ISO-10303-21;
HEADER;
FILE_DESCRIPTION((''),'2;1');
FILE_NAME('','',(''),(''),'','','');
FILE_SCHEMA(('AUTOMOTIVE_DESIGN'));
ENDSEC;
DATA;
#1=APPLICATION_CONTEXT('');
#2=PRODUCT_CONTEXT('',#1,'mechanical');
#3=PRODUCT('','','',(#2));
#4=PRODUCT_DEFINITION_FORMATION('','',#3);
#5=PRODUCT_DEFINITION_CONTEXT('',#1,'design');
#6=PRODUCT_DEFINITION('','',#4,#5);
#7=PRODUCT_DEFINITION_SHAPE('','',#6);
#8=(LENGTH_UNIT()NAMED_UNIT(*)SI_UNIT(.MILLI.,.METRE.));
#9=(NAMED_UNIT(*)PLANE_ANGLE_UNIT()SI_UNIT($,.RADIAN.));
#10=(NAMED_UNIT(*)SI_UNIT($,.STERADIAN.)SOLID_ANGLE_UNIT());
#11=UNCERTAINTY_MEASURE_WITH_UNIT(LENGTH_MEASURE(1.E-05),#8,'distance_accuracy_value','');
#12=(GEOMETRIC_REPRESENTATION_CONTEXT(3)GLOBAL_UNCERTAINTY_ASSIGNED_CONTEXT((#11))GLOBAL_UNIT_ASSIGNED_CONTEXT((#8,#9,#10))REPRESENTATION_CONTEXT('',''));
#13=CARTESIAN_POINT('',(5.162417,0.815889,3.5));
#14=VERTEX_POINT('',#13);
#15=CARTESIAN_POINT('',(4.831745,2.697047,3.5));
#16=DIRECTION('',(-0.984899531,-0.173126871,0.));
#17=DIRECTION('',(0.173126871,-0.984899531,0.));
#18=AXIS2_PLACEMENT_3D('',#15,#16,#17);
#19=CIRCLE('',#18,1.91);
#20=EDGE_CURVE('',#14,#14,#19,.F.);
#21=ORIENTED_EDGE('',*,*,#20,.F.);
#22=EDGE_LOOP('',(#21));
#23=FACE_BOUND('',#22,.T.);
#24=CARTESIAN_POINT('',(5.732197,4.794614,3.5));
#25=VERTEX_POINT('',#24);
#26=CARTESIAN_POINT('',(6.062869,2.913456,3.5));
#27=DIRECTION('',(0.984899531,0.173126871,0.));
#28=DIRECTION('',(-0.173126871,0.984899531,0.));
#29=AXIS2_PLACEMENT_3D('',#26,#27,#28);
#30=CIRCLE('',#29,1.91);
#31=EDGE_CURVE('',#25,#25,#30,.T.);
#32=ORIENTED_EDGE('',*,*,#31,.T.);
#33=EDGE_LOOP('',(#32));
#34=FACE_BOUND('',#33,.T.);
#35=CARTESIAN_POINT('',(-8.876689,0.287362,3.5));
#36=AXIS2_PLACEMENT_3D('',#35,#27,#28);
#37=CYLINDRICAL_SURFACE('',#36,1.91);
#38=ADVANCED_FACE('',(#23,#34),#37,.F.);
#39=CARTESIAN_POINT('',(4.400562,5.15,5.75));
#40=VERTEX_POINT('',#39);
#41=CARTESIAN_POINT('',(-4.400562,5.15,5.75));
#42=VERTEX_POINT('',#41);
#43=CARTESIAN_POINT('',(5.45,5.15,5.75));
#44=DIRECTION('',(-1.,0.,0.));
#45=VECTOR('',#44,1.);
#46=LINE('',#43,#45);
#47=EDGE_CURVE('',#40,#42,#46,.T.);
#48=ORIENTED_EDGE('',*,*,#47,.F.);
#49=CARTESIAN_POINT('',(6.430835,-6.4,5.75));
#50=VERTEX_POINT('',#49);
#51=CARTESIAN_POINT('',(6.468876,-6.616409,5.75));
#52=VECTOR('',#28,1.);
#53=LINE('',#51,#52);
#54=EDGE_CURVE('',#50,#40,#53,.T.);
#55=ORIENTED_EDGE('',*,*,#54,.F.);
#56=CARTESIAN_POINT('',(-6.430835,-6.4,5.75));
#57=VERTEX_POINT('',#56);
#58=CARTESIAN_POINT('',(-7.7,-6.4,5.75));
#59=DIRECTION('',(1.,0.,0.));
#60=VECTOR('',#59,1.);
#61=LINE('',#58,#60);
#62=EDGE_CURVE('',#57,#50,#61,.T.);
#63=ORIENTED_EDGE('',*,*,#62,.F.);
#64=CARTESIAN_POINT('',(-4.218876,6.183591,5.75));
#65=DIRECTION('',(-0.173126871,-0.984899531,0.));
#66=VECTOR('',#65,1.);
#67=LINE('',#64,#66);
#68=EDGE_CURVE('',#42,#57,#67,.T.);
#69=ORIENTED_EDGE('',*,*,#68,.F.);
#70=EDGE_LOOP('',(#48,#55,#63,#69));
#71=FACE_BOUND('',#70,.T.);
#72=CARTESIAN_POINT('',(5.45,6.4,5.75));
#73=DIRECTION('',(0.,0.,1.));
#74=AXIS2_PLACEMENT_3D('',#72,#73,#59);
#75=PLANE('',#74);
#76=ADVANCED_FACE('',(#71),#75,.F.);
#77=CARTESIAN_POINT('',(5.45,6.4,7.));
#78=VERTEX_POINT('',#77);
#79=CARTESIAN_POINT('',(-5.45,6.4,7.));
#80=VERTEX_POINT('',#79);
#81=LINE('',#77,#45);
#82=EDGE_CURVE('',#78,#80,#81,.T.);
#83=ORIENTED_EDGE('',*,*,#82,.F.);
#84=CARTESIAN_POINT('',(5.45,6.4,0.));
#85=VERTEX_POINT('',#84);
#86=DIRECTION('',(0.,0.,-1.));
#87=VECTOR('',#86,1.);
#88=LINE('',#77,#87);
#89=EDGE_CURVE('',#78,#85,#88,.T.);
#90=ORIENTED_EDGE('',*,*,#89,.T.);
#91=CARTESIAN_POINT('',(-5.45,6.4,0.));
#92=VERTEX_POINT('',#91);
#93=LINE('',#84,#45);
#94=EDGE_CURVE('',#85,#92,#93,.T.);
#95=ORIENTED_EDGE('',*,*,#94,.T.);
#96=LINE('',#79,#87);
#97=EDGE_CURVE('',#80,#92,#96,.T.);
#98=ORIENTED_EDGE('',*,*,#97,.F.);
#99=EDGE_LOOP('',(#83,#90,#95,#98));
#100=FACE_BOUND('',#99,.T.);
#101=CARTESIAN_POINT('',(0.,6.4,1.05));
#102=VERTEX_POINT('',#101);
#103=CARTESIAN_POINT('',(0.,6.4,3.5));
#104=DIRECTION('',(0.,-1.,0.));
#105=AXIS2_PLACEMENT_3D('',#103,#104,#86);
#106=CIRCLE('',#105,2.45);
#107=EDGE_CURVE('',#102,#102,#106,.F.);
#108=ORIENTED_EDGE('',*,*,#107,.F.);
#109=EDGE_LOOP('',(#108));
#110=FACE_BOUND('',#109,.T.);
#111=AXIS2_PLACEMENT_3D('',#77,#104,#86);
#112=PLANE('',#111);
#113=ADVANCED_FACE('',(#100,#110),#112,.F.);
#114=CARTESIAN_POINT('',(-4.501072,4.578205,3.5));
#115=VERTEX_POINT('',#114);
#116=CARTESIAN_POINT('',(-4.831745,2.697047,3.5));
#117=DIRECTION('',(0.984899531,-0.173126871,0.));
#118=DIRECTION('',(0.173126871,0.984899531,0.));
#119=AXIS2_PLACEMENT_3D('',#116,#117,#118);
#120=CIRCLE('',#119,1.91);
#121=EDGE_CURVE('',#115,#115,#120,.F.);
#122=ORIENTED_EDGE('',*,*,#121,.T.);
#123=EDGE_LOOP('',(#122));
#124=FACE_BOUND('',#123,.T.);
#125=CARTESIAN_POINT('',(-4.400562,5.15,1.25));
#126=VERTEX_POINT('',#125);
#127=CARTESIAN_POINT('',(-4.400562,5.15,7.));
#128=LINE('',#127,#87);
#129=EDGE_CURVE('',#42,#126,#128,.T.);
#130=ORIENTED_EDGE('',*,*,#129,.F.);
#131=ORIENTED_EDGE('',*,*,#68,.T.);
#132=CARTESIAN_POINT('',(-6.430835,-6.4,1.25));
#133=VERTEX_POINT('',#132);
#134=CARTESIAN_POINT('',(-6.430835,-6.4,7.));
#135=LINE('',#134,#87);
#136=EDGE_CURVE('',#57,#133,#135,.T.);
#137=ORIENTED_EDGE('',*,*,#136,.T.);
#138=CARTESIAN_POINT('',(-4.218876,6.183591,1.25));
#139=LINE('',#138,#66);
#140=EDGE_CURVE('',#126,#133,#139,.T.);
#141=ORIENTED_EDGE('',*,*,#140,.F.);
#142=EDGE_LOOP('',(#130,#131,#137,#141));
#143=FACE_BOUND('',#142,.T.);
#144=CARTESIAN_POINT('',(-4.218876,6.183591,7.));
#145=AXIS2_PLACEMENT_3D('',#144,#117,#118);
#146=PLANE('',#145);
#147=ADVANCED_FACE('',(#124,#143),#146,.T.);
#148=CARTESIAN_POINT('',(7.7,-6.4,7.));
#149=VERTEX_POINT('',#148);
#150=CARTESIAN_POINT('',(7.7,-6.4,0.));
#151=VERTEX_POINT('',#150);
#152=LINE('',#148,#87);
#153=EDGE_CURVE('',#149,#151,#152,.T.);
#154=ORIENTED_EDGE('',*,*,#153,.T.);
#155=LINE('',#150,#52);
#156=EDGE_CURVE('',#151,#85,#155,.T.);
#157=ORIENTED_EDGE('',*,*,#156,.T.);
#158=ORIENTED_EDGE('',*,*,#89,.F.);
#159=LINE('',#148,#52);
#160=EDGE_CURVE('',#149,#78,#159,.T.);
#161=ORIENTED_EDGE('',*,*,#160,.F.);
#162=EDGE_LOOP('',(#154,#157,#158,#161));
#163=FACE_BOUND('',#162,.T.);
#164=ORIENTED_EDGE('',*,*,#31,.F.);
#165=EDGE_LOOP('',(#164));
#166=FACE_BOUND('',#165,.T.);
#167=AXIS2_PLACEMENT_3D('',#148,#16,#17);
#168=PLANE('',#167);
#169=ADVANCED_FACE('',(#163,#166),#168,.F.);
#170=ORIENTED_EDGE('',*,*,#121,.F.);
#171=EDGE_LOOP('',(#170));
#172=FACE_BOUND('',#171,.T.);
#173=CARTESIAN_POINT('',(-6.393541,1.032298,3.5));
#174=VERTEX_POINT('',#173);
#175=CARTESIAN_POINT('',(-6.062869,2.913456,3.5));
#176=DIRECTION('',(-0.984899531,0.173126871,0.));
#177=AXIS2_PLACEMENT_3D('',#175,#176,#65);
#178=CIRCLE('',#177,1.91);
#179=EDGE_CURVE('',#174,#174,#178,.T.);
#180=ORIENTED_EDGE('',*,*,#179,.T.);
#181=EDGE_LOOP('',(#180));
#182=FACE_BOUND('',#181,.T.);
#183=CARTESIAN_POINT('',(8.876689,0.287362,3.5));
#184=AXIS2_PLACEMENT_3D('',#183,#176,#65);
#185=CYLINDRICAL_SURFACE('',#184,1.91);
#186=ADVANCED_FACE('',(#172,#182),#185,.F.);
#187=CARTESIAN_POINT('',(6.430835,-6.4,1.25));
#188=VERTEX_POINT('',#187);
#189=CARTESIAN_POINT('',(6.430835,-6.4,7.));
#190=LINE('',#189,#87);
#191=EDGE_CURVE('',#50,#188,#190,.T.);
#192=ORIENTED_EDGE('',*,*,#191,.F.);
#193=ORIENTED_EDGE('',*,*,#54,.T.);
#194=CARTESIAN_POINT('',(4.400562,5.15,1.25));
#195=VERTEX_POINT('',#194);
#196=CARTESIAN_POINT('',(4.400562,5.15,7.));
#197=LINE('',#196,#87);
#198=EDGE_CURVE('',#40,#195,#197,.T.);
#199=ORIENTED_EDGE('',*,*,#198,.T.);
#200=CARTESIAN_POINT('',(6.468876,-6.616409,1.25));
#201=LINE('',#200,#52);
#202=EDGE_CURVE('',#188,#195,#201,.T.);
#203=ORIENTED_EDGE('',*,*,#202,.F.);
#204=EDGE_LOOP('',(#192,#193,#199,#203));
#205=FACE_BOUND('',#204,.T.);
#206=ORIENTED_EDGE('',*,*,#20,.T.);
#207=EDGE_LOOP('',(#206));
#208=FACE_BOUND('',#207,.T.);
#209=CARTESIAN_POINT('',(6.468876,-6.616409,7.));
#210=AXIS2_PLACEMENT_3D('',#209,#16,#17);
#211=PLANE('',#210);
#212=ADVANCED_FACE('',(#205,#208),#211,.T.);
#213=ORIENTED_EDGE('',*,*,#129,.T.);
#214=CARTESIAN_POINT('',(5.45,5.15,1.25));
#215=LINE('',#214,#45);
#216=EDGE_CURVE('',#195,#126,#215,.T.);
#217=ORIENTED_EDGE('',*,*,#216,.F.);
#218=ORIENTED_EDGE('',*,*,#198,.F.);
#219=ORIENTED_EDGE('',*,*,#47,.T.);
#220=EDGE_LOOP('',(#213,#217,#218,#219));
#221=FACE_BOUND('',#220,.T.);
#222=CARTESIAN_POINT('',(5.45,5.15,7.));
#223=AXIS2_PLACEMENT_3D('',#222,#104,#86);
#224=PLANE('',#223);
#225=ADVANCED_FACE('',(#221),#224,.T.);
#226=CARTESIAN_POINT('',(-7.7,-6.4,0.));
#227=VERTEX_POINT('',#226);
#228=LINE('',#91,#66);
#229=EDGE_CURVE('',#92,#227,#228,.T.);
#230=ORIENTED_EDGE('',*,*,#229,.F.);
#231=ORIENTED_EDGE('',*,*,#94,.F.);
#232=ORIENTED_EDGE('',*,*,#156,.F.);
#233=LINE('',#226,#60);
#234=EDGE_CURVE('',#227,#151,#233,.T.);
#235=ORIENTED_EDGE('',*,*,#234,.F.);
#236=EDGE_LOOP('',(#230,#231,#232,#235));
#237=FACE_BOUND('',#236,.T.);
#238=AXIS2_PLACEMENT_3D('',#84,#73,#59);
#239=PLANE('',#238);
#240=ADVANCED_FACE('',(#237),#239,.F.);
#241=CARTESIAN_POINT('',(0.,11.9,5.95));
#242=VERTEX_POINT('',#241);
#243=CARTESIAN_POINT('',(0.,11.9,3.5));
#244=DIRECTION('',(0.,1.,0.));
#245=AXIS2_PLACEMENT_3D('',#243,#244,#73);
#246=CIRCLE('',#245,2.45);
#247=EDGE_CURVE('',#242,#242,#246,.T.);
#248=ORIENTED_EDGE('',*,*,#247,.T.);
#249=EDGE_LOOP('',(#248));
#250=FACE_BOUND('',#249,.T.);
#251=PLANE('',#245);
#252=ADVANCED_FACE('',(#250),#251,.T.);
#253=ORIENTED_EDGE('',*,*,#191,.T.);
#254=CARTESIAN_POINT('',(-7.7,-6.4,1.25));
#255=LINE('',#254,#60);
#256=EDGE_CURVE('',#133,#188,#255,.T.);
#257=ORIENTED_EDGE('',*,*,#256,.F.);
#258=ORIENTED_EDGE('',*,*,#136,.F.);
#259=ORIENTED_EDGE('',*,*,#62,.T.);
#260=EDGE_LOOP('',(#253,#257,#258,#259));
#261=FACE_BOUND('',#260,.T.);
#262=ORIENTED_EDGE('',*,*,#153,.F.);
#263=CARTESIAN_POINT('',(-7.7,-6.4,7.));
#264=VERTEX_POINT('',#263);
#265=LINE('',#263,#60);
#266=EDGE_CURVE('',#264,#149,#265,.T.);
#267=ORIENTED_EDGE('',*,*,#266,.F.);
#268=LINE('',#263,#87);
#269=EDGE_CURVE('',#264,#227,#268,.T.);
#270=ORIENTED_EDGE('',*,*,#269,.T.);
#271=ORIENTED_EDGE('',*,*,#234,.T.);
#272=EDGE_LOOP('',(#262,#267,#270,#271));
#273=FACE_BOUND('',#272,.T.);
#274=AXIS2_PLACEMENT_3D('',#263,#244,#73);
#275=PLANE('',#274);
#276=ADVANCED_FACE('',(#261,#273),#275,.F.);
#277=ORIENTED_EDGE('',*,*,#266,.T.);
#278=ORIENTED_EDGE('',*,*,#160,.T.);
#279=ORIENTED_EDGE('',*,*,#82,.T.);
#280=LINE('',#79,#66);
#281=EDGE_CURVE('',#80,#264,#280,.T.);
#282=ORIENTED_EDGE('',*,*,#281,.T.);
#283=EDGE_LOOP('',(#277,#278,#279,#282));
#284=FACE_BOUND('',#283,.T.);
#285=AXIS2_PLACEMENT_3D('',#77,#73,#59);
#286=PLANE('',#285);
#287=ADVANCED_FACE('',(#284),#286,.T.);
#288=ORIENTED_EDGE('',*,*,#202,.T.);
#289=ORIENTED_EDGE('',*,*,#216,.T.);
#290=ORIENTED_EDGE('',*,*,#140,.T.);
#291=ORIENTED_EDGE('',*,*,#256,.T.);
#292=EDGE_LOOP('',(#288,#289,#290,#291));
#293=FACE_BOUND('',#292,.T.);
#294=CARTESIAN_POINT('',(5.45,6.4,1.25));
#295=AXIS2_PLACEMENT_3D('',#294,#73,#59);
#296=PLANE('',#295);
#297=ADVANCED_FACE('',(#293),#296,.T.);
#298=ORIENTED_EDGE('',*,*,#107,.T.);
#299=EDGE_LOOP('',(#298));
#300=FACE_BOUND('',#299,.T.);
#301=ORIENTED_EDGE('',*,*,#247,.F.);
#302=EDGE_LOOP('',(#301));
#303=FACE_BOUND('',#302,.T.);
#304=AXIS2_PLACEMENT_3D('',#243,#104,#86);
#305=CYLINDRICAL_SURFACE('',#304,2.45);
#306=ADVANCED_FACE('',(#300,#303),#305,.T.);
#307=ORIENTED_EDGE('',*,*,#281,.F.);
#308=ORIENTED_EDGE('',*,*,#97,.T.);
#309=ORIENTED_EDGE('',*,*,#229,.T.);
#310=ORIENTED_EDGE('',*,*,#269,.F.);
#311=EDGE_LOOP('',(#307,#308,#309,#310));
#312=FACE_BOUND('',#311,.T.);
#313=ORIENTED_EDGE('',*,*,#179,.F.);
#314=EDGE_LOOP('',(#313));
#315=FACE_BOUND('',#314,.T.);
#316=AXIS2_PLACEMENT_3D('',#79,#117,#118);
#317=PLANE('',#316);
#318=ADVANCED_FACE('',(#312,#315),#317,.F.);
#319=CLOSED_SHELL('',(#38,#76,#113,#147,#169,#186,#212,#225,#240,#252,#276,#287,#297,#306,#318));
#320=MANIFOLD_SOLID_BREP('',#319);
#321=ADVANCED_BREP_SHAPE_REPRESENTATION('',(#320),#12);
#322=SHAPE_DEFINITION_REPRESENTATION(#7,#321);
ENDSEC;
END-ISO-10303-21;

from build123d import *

# Parameters (mm, degrees)
EXTRUDE1_DEPTH = 7
SHELL1_T       = -1.25
SKETCH2_R      = 2.45
EXTRUDE2_DEPTH = 5.5
EXTRUDE3_REACH = 17.167
SKETCH3_R      = 1.91
EXTRUDE4_REACH = 17.167
SKETCH4_R      = 1.91


with BuildPart() as part:
    # Sketch1 → Extrude1 (new body)
    with BuildSketch(Plane.XY):
        Polygon((-5.45, 6.4), (-7.7, -6.4), (7.7, -6.4), (5.45, 6.4), align=None)
    extrude(amount=EXTRUDE1_DEPTH)

    # Shell1
    shell1_openings = [part.faces().sort_by_distance(p)[0] for p in [
        (0, -6.4, 3.5),
    ]]
    offset(amount=SHELL1_T, openings=shell1_openings, kind=Kind.INTERSECTION)

    # Sketch2 → Extrude2 (add)
    with BuildSketch(Plane(origin=(0, 6.4, 0), x_dir=(1, 0, 0), z_dir=(0, 1, 0))):
        with Locations((0, -3.5)):
            Circle(SKETCH2_R)
    extrude(amount=EXTRUDE2_DEPTH)

    # Sketch3 → Extrude3 (cut, up to next)
    with BuildSketch(Plane(origin=(-6.377928095, 1.121120173, 0), x_dir=(0, 0, 1), z_dir=(-0.984899531, 0.173126871, 0)), mode=Mode.PRIVATE) as extrude3_sk1:
        with Locations((3.5, 1.819815554)):
            Circle(SKETCH3_R)
    extrude3_tool1 = extrude(extrude3_sk1.sketch, amount=-EXTRUDE3_REACH, mode=Mode.PRIVATE) & part.part
    add(extrude3_tool1.solids().sort_by_distance((-6.062869, 2.913456, 3.5))[0], mode=Mode.SUBTRACT)

    # Sketch4 → Extrude4 (cut, up to next)
    with BuildSketch(Plane(origin=(6.377928095, 1.121120173, 0), x_dir=(0, 0, -1), z_dir=(0.984899531, 0.173126871, 0)), mode=Mode.PRIVATE) as extrude4_sk1:
        with Locations((-3.5, 1.819815554)):
            Circle(SKETCH4_R)
    extrude4_tool1 = extrude(extrude4_sk1.sketch, amount=-EXTRUDE4_REACH, mode=Mode.PRIVATE) & part.part
    add(extrude4_tool1.solids().sort_by_distance((6.062869, 2.913456, 3.5))[0], mode=Mode.SUBTRACT)


solid = part.part
